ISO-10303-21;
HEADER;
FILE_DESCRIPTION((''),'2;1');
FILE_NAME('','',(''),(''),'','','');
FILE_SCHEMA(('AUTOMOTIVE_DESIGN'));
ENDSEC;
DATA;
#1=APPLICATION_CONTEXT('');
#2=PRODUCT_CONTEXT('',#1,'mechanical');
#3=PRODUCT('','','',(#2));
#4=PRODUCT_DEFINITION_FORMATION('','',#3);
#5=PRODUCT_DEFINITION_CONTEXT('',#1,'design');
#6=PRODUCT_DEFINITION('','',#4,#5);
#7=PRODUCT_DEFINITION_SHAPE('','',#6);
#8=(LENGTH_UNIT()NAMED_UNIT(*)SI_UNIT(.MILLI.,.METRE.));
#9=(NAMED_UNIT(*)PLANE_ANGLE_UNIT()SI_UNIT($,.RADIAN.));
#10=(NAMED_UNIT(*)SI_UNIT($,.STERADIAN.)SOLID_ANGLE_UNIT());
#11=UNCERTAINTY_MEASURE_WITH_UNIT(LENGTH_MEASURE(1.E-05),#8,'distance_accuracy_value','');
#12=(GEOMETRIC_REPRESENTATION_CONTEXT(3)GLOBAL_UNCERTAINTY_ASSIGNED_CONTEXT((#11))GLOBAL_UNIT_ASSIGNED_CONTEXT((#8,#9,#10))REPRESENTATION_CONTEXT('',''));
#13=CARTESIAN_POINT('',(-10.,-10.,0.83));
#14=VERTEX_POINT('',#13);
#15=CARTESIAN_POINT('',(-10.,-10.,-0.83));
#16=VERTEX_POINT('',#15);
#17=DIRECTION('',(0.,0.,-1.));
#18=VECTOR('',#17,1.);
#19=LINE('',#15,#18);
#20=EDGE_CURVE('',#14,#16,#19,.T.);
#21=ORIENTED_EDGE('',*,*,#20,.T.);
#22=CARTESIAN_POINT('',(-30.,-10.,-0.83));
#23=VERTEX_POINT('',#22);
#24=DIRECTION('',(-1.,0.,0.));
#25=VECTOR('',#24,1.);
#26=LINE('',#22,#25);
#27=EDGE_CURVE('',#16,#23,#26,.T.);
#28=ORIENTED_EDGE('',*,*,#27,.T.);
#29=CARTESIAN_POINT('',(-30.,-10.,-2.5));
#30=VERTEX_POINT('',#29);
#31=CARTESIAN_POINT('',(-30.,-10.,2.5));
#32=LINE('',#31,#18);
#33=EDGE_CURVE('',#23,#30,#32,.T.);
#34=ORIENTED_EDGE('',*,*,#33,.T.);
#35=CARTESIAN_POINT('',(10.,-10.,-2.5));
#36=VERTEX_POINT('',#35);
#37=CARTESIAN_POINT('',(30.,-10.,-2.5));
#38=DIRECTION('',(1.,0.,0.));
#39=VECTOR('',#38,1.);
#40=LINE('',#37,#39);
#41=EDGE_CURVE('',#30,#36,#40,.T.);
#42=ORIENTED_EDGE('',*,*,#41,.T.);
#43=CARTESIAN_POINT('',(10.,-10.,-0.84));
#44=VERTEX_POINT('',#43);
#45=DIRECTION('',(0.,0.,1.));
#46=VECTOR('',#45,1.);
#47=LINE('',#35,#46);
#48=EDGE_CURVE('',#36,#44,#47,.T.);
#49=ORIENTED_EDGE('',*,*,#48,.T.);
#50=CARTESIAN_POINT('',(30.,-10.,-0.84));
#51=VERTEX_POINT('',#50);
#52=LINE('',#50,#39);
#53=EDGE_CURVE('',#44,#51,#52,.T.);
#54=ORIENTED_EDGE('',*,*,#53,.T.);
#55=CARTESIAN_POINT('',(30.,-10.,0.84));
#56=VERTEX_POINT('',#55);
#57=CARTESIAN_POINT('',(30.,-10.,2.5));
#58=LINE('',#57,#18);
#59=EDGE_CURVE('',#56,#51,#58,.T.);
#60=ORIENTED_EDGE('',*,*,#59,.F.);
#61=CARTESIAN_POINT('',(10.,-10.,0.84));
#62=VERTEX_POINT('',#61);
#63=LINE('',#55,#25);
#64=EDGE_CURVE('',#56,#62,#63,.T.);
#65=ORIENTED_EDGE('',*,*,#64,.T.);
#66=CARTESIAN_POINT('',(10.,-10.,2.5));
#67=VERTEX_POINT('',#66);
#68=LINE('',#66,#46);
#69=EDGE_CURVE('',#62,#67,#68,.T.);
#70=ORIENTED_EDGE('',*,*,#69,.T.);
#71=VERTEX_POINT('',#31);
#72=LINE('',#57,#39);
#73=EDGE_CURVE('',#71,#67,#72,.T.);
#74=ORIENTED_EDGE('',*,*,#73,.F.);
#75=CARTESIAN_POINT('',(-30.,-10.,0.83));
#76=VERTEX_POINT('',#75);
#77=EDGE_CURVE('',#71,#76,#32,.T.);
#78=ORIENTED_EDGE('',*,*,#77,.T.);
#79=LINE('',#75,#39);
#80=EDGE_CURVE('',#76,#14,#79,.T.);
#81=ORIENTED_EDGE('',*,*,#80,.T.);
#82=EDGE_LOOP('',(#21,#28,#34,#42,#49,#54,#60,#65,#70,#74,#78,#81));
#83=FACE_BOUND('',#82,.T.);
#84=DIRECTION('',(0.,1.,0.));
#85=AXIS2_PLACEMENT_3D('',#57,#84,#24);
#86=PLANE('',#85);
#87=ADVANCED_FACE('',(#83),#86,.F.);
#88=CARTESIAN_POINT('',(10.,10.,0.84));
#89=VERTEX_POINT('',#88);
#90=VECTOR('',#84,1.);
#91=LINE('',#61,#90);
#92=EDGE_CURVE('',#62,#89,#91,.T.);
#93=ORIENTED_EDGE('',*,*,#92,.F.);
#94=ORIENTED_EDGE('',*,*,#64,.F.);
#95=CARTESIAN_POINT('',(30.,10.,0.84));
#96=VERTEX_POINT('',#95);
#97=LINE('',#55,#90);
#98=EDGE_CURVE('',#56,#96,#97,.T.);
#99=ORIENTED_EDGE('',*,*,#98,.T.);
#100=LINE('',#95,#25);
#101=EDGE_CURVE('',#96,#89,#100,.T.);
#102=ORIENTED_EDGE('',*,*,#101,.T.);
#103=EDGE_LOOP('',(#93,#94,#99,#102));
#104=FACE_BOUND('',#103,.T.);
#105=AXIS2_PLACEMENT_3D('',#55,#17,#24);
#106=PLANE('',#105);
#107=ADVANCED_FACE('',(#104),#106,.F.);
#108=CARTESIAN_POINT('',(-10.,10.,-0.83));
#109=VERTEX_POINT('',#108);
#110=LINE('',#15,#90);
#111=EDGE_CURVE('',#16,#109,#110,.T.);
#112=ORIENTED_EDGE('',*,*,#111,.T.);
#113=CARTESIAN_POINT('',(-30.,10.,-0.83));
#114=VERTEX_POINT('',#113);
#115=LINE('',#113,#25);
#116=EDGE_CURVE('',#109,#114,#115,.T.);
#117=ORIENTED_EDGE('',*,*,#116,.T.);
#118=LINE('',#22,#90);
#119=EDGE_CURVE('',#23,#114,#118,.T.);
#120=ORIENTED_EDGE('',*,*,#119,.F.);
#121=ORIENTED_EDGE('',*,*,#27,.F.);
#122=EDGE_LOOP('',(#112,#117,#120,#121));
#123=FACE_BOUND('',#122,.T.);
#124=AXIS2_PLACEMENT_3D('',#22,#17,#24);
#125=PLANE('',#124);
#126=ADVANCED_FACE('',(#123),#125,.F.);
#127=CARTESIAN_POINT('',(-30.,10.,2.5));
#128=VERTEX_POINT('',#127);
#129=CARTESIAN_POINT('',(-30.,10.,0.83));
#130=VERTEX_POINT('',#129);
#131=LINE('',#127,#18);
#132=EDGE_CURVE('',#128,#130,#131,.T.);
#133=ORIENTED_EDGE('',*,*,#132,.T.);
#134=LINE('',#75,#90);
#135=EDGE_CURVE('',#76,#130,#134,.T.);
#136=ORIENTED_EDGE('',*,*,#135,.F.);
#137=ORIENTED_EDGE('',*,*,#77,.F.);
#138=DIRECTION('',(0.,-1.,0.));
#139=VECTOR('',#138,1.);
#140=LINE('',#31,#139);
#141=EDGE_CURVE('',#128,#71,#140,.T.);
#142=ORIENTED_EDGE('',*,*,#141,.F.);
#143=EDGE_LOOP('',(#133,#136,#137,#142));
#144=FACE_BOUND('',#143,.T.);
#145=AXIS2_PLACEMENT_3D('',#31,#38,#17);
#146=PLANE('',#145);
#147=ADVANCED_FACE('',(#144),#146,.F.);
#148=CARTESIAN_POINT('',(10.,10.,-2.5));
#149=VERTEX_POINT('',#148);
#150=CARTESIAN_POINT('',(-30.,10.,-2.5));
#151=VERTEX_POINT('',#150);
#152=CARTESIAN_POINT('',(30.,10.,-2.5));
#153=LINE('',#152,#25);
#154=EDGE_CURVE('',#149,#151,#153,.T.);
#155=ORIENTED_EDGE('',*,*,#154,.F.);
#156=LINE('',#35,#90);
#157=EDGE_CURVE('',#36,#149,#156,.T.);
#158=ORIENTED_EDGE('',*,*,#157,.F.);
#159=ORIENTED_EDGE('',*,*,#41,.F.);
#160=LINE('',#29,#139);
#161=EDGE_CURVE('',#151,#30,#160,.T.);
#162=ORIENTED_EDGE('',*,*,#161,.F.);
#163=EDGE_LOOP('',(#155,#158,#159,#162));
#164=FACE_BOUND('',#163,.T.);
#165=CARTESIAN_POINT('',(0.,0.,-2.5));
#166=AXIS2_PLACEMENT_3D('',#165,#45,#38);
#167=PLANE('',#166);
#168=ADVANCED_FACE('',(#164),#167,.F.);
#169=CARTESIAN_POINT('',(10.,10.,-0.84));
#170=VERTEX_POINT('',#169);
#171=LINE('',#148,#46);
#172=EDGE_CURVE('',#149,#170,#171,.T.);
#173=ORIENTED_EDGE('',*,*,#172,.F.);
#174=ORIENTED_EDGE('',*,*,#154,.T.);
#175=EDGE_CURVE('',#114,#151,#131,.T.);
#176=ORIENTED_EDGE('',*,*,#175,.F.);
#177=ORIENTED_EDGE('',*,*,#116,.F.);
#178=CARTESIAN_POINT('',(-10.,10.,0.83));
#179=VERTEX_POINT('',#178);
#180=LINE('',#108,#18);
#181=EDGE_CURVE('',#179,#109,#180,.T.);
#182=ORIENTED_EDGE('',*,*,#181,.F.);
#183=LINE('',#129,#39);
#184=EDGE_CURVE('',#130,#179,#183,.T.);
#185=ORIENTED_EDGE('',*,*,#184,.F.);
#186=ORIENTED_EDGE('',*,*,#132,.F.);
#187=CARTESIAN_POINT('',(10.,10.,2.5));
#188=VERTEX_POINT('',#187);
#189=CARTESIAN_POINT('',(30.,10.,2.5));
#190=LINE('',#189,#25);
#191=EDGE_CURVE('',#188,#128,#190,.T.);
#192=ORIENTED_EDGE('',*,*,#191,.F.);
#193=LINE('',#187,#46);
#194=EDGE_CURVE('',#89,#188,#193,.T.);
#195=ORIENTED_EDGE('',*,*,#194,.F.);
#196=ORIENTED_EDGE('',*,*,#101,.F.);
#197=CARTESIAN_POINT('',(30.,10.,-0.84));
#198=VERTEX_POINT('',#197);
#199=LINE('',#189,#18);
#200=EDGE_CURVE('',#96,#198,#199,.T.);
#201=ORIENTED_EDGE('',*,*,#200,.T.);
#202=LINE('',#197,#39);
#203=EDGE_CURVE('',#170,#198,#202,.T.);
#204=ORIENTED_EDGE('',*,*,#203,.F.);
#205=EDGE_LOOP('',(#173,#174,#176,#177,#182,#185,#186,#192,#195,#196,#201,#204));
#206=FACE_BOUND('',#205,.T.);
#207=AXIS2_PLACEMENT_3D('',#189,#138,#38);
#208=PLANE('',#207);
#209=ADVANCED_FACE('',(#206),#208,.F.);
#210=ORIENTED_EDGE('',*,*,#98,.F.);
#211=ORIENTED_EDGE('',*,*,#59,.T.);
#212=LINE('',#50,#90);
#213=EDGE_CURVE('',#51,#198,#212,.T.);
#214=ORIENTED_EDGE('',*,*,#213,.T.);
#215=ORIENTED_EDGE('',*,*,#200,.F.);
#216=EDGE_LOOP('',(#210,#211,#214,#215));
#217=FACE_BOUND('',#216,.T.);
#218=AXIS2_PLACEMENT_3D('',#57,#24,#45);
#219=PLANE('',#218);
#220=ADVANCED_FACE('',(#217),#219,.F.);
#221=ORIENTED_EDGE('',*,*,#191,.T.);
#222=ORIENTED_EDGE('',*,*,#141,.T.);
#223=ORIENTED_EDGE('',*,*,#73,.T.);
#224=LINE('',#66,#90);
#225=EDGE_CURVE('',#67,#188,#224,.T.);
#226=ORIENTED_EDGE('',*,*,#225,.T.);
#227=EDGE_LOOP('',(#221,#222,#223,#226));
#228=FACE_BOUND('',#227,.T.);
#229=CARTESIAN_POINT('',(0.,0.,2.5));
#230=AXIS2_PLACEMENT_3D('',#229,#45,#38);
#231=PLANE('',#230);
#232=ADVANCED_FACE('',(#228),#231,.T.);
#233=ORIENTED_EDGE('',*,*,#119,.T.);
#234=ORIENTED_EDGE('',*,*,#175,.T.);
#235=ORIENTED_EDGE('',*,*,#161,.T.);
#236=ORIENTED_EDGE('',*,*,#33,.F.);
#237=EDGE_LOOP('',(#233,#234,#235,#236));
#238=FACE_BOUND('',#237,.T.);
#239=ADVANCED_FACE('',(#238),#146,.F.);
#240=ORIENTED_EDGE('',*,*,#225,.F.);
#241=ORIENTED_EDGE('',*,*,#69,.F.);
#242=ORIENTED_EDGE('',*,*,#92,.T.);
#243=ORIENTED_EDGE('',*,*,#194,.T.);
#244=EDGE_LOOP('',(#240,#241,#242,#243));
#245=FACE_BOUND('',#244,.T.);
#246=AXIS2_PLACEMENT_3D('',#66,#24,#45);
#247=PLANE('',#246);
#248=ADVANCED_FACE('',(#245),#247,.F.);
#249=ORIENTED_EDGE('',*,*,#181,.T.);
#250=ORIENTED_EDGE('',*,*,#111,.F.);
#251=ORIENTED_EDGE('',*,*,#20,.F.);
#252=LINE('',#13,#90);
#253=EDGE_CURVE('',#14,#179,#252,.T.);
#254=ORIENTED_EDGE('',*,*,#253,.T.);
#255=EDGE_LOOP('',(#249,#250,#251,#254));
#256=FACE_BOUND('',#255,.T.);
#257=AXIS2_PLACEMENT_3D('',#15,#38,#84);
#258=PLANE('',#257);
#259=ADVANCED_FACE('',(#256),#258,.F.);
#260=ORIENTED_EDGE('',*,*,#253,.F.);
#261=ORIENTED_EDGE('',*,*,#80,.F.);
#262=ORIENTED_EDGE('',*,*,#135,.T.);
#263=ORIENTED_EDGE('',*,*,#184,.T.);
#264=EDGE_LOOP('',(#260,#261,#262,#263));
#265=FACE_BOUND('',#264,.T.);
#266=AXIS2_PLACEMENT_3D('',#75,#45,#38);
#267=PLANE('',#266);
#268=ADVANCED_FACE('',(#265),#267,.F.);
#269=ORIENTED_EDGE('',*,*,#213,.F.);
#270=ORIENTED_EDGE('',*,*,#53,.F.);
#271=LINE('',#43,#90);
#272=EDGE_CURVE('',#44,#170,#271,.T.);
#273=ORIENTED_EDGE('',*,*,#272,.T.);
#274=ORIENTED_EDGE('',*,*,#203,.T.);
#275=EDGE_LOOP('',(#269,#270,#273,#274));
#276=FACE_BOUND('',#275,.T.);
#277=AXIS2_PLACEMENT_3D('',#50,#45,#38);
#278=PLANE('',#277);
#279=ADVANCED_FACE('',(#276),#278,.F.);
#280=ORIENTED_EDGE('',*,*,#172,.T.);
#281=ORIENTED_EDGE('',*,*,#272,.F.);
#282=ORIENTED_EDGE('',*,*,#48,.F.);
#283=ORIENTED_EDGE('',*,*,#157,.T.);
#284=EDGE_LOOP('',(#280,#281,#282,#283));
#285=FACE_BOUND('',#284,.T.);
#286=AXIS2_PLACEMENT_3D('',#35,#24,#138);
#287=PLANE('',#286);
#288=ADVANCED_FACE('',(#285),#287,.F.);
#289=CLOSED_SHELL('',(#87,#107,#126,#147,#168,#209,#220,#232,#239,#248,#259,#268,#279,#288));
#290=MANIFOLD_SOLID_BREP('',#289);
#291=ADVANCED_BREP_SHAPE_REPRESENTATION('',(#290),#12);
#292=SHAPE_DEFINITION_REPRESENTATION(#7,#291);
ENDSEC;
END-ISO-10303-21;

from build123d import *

# Parameters (mm, degrees)
SKETCH1_W           = 60
SKETCH1_H           = 20
BOSS_EXTRUDE1_DEPTH = 2.5
SKETCH2_W           = 20
SKETCH2_H           = 1.66
CUT_EXTRUDE1_DEPTH  = 37.142080737


with BuildPart() as part:
    # Sketch1 → Boss-Extrude1 (new, symmetric)
    with BuildSketch(Plane.XY):
        Rectangle(SKETCH1_W, SKETCH1_H)
    extrude(amount=BOSS_EXTRUDE1_DEPTH, both=True)

    # Sketch2 → Cut-Extrude1 (cut, through all)
    with BuildSketch(Plane(origin=(0, 10, 0), x_dir=(1, 0, 0), z_dir=(0, 1, 0))):
        with Locations((-20, 0)):
            Rectangle(SKETCH2_W, SKETCH2_H)
        with Locations((20, 1.67)):
            Rectangle(SKETCH2_W, SKETCH2_H)
        with Locations((20, -1.67)):
            Rectangle(SKETCH2_W, SKETCH2_H)
    extrude(amount=-CUT_EXTRUDE1_DEPTH, mode=Mode.SUBTRACT)


solid = part.part
